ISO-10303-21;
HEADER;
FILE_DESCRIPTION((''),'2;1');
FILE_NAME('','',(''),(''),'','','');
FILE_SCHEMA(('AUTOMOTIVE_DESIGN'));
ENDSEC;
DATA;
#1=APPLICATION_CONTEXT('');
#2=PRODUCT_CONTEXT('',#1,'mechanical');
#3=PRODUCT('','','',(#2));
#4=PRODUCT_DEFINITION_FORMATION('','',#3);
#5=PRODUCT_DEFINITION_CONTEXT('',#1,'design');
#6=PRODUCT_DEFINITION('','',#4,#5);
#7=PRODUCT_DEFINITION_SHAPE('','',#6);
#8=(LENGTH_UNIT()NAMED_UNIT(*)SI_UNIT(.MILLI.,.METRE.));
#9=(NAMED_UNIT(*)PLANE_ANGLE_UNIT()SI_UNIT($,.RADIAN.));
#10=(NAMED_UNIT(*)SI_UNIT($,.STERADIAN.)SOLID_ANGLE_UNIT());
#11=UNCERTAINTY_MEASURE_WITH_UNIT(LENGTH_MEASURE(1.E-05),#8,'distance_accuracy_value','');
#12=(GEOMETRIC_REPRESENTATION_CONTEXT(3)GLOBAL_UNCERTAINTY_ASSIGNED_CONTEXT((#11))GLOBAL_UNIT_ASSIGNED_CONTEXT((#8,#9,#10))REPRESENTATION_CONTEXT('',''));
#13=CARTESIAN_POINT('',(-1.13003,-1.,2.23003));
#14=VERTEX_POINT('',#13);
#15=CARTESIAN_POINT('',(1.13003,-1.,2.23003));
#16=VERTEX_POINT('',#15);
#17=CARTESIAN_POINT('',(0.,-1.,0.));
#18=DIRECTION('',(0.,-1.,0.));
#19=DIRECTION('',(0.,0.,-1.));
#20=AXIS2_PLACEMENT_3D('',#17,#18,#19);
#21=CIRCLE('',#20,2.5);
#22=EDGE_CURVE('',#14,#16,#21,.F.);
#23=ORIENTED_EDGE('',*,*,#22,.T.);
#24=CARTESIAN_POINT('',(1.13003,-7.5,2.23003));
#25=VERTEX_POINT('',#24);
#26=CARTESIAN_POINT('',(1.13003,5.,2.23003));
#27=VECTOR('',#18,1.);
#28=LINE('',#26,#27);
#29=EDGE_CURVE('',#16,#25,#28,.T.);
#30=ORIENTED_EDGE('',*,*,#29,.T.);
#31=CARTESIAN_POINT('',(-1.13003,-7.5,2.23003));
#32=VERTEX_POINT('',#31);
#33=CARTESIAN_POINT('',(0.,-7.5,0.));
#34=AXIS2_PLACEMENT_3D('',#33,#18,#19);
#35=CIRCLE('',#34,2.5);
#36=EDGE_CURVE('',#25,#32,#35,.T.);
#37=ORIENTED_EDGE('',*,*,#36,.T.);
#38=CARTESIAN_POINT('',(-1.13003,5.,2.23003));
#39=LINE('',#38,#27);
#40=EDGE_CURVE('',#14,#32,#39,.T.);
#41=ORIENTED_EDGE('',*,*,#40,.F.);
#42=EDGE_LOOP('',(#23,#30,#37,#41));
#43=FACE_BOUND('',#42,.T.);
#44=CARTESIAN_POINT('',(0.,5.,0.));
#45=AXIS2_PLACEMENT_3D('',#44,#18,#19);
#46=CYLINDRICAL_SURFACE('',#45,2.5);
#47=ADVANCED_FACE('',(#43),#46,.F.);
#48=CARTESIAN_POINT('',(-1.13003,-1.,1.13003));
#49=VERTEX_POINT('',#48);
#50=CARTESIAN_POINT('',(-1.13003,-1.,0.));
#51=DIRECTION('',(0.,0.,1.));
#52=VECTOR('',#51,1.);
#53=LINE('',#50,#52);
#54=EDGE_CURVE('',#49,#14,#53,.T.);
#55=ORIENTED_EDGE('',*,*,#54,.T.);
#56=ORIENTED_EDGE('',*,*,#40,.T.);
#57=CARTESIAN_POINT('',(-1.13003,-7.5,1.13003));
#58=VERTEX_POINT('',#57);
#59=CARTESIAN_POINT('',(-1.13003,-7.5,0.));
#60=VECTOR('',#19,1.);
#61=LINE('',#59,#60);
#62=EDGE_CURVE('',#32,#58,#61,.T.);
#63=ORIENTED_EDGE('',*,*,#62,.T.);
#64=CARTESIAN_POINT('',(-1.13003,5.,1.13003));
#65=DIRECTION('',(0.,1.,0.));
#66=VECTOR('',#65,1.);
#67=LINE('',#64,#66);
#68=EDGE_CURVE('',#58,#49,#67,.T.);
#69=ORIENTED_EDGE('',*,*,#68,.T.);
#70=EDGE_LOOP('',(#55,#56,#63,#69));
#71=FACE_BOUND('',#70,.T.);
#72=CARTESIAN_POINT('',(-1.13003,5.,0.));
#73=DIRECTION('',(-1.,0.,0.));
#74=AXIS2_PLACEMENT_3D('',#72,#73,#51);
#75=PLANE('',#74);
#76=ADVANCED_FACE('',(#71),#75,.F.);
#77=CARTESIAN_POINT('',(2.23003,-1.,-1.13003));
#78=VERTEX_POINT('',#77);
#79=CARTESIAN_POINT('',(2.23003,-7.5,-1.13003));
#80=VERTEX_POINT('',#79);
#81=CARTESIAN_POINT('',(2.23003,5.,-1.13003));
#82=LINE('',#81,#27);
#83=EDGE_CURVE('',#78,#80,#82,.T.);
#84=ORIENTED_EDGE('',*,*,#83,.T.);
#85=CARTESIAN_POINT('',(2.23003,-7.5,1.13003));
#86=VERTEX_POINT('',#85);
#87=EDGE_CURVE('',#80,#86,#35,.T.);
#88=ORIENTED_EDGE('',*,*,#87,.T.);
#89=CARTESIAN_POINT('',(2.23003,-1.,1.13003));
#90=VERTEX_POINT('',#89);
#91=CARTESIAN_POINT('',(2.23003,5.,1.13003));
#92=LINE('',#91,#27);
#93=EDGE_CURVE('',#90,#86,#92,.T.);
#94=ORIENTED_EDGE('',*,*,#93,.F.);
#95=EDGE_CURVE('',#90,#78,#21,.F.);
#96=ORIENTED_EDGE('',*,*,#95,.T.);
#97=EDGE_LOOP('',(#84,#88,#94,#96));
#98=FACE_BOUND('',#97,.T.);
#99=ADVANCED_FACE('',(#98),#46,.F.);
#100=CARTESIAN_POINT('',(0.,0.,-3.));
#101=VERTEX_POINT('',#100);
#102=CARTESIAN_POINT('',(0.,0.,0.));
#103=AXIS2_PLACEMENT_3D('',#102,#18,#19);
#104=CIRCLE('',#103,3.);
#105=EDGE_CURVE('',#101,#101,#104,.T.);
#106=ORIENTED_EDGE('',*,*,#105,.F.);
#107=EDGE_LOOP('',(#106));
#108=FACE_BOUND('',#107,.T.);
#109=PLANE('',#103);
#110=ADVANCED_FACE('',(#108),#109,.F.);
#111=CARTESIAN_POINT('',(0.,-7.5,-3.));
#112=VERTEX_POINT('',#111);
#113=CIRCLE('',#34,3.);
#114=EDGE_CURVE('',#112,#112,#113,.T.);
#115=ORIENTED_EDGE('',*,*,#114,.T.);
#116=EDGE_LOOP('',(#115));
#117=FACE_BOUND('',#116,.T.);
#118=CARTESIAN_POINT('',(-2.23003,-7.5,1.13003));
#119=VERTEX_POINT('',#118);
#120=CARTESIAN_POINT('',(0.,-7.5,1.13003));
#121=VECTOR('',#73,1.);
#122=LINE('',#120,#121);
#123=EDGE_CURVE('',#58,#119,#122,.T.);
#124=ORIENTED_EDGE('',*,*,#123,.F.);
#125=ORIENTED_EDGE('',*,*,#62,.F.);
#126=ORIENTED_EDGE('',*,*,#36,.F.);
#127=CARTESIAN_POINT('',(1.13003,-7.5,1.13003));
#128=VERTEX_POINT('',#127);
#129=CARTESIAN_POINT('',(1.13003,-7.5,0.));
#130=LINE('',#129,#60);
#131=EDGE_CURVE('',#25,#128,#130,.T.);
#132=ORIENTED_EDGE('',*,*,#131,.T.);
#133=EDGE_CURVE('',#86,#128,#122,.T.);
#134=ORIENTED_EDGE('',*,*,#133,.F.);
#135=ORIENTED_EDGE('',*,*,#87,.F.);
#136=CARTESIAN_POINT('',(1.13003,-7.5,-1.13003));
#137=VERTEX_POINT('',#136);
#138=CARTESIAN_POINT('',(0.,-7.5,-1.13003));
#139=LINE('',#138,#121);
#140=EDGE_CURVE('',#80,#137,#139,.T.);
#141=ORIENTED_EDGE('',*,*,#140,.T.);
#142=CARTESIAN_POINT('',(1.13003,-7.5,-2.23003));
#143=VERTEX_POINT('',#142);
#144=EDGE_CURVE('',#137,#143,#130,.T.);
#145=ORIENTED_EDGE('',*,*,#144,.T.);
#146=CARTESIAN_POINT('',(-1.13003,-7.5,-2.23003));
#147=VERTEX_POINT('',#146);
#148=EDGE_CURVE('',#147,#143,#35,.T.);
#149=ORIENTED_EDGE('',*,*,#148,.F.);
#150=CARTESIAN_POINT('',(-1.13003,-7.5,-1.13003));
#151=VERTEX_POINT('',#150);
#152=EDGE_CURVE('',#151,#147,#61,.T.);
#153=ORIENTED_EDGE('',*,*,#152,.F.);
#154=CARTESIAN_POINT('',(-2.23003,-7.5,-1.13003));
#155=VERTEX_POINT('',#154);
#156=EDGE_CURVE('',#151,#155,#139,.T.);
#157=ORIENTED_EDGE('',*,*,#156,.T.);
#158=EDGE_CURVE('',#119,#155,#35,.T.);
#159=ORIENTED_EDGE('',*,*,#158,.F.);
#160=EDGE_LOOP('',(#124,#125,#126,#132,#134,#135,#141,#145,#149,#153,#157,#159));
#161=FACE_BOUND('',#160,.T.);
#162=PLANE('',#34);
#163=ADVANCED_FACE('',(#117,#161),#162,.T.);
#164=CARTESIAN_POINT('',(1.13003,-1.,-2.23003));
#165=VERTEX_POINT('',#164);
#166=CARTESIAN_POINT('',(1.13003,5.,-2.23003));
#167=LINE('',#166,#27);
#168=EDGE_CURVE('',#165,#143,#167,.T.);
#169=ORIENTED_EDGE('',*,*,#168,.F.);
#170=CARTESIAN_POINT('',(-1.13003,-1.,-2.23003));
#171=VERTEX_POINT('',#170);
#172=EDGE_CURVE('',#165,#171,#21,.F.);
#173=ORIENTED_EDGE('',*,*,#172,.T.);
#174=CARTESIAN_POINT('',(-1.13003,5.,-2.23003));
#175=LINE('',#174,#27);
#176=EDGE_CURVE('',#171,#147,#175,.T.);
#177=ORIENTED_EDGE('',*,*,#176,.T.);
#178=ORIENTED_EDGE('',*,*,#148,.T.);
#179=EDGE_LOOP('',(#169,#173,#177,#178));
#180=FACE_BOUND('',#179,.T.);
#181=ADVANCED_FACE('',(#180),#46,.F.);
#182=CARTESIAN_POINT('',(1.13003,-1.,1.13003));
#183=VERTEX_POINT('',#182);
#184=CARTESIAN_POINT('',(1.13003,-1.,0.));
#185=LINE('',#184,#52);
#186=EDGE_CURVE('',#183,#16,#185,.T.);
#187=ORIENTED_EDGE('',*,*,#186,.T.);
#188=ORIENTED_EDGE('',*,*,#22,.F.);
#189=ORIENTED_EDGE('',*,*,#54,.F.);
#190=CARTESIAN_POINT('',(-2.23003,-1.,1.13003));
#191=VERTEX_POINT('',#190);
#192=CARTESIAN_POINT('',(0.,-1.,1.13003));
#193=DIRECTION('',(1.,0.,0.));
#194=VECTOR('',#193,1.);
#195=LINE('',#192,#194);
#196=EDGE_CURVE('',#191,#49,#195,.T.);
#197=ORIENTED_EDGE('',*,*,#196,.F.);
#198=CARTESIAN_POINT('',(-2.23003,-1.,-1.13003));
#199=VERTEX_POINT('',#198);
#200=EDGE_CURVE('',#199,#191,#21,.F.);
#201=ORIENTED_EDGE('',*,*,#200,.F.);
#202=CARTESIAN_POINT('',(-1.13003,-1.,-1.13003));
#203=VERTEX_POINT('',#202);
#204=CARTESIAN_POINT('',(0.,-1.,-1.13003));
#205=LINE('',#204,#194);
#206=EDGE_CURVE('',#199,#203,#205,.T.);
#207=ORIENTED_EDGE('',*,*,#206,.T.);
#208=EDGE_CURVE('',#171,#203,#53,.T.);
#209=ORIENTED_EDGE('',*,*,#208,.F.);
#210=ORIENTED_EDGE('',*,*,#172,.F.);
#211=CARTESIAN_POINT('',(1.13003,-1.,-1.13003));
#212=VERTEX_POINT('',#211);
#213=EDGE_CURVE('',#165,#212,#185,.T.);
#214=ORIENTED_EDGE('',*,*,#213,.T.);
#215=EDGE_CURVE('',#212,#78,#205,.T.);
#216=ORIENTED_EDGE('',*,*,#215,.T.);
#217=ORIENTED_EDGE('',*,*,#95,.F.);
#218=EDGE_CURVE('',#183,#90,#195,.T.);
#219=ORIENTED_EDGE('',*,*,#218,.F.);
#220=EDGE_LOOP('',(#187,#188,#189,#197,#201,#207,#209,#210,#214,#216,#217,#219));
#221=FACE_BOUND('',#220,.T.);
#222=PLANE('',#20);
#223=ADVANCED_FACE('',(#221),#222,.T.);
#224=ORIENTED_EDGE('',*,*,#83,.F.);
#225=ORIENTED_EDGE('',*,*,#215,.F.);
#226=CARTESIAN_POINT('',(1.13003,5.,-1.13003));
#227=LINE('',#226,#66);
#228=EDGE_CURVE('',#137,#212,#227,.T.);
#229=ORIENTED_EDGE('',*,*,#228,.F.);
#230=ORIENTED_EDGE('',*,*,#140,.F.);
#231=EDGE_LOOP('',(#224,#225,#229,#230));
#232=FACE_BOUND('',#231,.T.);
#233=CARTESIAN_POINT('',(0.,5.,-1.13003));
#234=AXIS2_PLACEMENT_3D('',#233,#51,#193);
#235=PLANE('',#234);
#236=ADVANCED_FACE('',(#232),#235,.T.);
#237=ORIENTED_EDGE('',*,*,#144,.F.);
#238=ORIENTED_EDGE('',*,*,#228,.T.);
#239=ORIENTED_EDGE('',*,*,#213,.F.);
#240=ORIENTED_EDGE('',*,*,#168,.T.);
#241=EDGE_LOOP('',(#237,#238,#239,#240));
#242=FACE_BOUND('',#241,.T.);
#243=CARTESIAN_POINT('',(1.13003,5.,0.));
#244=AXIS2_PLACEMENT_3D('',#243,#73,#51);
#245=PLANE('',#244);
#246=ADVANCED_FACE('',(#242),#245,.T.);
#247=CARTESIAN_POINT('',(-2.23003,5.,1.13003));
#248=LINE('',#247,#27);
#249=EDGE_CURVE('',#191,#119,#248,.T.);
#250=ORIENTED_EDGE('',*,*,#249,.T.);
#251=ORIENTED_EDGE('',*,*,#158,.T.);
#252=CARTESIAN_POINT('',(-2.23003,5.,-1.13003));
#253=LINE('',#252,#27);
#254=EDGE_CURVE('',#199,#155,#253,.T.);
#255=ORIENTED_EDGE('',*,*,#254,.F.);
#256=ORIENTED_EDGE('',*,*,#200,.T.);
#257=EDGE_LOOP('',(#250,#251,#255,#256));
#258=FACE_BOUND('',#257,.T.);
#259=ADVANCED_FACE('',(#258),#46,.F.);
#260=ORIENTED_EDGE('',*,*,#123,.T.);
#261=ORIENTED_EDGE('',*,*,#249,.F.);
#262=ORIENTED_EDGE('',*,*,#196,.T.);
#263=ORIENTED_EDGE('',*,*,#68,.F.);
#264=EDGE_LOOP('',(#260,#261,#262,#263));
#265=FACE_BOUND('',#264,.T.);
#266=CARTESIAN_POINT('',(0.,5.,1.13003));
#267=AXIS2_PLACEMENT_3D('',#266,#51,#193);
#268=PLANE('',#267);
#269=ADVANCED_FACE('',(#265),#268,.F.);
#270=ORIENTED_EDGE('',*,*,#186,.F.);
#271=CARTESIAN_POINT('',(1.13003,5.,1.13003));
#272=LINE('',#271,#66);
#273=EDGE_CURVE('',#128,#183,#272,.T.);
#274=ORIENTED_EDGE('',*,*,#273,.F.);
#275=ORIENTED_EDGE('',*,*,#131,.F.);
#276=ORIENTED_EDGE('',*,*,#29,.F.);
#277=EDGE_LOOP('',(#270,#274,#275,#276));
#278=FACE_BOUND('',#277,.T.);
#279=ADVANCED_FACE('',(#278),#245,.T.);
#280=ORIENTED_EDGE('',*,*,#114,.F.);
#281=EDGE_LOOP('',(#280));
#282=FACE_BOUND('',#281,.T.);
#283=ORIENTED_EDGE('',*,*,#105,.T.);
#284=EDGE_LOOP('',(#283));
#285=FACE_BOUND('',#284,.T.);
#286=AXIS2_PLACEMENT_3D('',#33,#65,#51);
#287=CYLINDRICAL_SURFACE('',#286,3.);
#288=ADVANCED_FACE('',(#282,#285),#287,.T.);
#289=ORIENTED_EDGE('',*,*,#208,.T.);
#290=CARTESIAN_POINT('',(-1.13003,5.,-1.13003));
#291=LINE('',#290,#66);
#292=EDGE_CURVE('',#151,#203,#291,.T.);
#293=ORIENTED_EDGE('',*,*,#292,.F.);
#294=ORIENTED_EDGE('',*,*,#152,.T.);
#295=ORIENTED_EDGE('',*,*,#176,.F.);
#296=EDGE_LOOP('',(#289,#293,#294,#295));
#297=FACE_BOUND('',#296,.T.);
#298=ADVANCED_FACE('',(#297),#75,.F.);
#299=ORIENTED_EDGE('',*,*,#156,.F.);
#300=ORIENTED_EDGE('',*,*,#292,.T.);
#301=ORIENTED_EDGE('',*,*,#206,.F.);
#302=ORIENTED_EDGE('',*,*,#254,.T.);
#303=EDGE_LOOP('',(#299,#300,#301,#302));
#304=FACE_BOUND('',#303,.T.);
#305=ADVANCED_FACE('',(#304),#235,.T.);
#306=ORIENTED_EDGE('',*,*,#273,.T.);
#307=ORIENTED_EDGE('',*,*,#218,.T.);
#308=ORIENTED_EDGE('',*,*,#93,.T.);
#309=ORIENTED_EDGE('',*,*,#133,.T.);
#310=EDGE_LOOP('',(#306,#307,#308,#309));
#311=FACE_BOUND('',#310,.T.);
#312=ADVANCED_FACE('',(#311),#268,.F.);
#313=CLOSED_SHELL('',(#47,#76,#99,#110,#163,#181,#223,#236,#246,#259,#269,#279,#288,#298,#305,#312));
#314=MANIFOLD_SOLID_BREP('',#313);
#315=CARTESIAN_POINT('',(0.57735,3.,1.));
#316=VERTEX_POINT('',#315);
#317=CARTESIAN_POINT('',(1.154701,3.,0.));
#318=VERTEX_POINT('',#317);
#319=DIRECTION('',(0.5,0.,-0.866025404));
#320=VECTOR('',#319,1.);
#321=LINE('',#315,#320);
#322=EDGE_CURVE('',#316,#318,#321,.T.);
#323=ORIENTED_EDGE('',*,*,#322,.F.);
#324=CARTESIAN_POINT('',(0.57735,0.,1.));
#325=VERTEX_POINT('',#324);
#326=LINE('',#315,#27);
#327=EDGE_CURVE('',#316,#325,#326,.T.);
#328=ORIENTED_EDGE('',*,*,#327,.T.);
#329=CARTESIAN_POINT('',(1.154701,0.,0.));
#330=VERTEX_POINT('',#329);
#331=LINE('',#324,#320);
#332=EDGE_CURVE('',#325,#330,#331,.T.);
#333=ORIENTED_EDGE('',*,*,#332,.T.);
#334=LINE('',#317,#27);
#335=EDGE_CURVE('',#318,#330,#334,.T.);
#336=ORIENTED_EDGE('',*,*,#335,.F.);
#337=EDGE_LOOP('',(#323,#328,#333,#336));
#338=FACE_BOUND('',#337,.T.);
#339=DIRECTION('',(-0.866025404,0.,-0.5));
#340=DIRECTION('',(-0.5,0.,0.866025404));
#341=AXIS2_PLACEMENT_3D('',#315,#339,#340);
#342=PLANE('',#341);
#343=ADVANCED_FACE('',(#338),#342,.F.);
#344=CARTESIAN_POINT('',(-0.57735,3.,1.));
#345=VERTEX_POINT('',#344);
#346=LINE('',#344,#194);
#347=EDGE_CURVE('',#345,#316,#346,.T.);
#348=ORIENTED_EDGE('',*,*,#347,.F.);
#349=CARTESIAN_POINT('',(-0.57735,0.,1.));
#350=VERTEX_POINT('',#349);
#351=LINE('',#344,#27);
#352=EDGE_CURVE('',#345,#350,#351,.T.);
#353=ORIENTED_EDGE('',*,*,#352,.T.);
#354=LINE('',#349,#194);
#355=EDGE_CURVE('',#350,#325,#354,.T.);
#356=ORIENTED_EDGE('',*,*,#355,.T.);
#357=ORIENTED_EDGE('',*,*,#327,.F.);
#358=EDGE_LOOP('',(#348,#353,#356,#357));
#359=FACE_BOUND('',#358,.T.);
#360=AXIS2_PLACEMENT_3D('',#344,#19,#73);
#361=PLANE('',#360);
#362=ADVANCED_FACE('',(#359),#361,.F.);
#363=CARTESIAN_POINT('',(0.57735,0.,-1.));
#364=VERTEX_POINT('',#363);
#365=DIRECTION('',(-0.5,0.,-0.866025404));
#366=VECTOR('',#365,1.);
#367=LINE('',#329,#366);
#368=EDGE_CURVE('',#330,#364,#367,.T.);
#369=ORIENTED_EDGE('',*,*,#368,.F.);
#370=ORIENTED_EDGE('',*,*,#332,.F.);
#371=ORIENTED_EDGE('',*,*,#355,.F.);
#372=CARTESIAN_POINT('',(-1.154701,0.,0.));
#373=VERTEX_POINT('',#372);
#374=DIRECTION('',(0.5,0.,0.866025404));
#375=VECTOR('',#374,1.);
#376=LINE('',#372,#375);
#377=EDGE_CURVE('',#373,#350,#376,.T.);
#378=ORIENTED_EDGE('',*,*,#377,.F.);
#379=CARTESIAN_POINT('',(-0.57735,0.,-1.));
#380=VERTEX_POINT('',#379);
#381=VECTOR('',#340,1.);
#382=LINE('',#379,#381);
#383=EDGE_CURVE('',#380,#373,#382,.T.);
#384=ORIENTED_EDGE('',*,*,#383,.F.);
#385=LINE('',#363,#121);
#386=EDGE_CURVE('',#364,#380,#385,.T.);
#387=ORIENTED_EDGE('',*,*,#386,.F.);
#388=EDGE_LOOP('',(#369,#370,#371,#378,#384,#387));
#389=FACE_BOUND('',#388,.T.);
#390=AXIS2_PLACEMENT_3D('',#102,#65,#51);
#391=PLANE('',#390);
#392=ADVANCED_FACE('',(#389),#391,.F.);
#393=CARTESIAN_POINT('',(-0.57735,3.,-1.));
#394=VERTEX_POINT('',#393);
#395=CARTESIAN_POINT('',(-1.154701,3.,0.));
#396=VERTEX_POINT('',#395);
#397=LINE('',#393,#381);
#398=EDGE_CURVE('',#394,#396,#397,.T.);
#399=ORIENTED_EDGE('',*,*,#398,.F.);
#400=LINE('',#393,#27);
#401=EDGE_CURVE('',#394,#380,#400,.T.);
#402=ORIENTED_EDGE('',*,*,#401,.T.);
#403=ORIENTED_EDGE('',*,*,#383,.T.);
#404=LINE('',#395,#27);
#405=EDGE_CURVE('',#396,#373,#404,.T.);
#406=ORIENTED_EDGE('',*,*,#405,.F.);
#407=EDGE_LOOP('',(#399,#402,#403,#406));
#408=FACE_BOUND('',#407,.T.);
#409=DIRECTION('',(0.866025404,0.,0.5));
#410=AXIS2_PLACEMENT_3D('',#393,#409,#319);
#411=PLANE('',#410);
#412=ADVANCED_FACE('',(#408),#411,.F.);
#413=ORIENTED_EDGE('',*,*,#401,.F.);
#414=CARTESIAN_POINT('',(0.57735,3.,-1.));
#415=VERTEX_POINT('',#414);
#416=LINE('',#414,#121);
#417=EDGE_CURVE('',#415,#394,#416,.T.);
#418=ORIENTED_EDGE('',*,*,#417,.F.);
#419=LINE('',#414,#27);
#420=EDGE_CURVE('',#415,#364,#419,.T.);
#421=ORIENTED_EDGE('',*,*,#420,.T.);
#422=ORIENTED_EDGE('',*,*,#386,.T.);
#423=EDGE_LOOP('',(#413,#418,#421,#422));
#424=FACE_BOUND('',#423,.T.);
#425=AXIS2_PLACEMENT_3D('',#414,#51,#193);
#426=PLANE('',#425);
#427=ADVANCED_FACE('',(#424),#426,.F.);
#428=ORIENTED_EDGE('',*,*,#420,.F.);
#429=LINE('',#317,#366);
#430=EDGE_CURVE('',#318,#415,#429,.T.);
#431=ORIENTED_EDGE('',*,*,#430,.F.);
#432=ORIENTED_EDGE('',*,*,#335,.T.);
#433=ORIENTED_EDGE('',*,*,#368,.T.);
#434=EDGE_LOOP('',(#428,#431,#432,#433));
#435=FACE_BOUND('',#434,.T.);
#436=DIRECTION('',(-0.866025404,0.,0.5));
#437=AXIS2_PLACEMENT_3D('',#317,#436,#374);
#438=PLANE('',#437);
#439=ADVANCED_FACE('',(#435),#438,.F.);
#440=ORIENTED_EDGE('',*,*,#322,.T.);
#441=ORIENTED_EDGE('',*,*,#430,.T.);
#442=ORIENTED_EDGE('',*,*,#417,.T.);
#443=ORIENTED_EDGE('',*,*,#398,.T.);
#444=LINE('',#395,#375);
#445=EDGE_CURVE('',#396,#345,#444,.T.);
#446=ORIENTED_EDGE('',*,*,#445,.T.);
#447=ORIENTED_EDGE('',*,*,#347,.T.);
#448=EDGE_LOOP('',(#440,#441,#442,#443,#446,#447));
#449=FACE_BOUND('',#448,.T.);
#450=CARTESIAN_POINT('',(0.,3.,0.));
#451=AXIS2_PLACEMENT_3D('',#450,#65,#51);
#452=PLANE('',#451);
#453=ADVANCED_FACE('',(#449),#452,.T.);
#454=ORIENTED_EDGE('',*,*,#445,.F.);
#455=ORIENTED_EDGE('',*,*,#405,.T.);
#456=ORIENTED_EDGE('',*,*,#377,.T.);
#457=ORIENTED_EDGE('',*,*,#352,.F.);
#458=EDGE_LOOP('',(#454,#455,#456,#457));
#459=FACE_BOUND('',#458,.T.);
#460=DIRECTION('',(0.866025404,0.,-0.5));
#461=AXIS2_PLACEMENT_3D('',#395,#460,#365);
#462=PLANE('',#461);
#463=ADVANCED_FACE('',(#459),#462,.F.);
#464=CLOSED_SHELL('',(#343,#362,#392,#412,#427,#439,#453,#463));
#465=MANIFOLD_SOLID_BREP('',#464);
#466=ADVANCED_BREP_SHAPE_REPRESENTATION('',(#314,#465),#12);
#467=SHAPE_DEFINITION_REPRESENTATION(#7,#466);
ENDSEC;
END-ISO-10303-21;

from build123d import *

# Parameters (mm, degrees)
EXTRUDE_1_DEPTH     = 3
SKETCH_2_R          = 3
EXTRUDE_2_DEPTH     = 7.5
CUT_EXTRUDE_START   = 7.5
CUT_EXTRUDE_1_DEPTH = 6.5


with BuildPart() as part:
    # 草图1 → 凸台-拉伸1 (new body)
    with BuildSketch(Plane(origin=(0, 0, 0), x_dir=(1, 0, 0), z_dir=(0, 1, 0))):
        Polygon((0.577350269, 1), (-0.577350269, 1), (-1.154700538, 0), (-0.577350269, -1), (0.577350269, -1), (1.154700538, 0), align=None)
    extrude(amount=EXTRUDE_1_DEPTH)


with BuildPart() as body_2:
    # 草图2 → 凸台-拉伸2 (new body)
    with BuildSketch(Plane.XZ):
        with Locations(Location((0, 0, 0), (0, 0, 270))):
            Circle(SKETCH_2_R)
    extrude(amount=EXTRUDE_2_DEPTH)

    # 草图2<3> → 切除-拉伸1 (cut)
    with BuildSketch(Plane.XZ.offset(CUT_EXTRUDE_START)):
        with BuildLine():
            Line((-1.130029762, -1.130029762), (-1.130029762, -2.230029762))
            ThreePointArc((-1.130029762, -2.230029762), (0, -2.5), (1.130029762, -2.230029762))
            Line((1.130029762, -2.230029762), (1.130029762, -1.130029762))
            Line((1.130029762, -1.130029762), (2.230029762, -1.130029762))
            ThreePointArc((2.230029762, -1.130029762), (2.5, 0), (2.230029762, 1.130029762))
            Line((2.230029762, 1.130029762), (1.130029762, 1.130029762))
            Line((1.130029762, 1.130029762), (1.130029762, 2.230029762))
            ThreePointArc((1.130029762, 2.230029762), (0, 2.5), (-1.130029762, 2.230029762))
            Line((-1.130029762, 2.230029762), (-1.130029762, 1.130029762))
            Line((-1.130029762, 1.130029762), (-2.230029762, 1.130029762))
            ThreePointArc((-2.230029762, 1.130029762), (-2.5, 0), (-2.230029762, -1.130029762))
            Line((-2.230029762, -1.130029762), (-1.130029762, -1.130029762))
        make_face()
    extrude(amount=-CUT_EXTRUDE_1_DEPTH, mode=Mode.SUBTRACT)


solid = Compound([part.part, body_2.part])
